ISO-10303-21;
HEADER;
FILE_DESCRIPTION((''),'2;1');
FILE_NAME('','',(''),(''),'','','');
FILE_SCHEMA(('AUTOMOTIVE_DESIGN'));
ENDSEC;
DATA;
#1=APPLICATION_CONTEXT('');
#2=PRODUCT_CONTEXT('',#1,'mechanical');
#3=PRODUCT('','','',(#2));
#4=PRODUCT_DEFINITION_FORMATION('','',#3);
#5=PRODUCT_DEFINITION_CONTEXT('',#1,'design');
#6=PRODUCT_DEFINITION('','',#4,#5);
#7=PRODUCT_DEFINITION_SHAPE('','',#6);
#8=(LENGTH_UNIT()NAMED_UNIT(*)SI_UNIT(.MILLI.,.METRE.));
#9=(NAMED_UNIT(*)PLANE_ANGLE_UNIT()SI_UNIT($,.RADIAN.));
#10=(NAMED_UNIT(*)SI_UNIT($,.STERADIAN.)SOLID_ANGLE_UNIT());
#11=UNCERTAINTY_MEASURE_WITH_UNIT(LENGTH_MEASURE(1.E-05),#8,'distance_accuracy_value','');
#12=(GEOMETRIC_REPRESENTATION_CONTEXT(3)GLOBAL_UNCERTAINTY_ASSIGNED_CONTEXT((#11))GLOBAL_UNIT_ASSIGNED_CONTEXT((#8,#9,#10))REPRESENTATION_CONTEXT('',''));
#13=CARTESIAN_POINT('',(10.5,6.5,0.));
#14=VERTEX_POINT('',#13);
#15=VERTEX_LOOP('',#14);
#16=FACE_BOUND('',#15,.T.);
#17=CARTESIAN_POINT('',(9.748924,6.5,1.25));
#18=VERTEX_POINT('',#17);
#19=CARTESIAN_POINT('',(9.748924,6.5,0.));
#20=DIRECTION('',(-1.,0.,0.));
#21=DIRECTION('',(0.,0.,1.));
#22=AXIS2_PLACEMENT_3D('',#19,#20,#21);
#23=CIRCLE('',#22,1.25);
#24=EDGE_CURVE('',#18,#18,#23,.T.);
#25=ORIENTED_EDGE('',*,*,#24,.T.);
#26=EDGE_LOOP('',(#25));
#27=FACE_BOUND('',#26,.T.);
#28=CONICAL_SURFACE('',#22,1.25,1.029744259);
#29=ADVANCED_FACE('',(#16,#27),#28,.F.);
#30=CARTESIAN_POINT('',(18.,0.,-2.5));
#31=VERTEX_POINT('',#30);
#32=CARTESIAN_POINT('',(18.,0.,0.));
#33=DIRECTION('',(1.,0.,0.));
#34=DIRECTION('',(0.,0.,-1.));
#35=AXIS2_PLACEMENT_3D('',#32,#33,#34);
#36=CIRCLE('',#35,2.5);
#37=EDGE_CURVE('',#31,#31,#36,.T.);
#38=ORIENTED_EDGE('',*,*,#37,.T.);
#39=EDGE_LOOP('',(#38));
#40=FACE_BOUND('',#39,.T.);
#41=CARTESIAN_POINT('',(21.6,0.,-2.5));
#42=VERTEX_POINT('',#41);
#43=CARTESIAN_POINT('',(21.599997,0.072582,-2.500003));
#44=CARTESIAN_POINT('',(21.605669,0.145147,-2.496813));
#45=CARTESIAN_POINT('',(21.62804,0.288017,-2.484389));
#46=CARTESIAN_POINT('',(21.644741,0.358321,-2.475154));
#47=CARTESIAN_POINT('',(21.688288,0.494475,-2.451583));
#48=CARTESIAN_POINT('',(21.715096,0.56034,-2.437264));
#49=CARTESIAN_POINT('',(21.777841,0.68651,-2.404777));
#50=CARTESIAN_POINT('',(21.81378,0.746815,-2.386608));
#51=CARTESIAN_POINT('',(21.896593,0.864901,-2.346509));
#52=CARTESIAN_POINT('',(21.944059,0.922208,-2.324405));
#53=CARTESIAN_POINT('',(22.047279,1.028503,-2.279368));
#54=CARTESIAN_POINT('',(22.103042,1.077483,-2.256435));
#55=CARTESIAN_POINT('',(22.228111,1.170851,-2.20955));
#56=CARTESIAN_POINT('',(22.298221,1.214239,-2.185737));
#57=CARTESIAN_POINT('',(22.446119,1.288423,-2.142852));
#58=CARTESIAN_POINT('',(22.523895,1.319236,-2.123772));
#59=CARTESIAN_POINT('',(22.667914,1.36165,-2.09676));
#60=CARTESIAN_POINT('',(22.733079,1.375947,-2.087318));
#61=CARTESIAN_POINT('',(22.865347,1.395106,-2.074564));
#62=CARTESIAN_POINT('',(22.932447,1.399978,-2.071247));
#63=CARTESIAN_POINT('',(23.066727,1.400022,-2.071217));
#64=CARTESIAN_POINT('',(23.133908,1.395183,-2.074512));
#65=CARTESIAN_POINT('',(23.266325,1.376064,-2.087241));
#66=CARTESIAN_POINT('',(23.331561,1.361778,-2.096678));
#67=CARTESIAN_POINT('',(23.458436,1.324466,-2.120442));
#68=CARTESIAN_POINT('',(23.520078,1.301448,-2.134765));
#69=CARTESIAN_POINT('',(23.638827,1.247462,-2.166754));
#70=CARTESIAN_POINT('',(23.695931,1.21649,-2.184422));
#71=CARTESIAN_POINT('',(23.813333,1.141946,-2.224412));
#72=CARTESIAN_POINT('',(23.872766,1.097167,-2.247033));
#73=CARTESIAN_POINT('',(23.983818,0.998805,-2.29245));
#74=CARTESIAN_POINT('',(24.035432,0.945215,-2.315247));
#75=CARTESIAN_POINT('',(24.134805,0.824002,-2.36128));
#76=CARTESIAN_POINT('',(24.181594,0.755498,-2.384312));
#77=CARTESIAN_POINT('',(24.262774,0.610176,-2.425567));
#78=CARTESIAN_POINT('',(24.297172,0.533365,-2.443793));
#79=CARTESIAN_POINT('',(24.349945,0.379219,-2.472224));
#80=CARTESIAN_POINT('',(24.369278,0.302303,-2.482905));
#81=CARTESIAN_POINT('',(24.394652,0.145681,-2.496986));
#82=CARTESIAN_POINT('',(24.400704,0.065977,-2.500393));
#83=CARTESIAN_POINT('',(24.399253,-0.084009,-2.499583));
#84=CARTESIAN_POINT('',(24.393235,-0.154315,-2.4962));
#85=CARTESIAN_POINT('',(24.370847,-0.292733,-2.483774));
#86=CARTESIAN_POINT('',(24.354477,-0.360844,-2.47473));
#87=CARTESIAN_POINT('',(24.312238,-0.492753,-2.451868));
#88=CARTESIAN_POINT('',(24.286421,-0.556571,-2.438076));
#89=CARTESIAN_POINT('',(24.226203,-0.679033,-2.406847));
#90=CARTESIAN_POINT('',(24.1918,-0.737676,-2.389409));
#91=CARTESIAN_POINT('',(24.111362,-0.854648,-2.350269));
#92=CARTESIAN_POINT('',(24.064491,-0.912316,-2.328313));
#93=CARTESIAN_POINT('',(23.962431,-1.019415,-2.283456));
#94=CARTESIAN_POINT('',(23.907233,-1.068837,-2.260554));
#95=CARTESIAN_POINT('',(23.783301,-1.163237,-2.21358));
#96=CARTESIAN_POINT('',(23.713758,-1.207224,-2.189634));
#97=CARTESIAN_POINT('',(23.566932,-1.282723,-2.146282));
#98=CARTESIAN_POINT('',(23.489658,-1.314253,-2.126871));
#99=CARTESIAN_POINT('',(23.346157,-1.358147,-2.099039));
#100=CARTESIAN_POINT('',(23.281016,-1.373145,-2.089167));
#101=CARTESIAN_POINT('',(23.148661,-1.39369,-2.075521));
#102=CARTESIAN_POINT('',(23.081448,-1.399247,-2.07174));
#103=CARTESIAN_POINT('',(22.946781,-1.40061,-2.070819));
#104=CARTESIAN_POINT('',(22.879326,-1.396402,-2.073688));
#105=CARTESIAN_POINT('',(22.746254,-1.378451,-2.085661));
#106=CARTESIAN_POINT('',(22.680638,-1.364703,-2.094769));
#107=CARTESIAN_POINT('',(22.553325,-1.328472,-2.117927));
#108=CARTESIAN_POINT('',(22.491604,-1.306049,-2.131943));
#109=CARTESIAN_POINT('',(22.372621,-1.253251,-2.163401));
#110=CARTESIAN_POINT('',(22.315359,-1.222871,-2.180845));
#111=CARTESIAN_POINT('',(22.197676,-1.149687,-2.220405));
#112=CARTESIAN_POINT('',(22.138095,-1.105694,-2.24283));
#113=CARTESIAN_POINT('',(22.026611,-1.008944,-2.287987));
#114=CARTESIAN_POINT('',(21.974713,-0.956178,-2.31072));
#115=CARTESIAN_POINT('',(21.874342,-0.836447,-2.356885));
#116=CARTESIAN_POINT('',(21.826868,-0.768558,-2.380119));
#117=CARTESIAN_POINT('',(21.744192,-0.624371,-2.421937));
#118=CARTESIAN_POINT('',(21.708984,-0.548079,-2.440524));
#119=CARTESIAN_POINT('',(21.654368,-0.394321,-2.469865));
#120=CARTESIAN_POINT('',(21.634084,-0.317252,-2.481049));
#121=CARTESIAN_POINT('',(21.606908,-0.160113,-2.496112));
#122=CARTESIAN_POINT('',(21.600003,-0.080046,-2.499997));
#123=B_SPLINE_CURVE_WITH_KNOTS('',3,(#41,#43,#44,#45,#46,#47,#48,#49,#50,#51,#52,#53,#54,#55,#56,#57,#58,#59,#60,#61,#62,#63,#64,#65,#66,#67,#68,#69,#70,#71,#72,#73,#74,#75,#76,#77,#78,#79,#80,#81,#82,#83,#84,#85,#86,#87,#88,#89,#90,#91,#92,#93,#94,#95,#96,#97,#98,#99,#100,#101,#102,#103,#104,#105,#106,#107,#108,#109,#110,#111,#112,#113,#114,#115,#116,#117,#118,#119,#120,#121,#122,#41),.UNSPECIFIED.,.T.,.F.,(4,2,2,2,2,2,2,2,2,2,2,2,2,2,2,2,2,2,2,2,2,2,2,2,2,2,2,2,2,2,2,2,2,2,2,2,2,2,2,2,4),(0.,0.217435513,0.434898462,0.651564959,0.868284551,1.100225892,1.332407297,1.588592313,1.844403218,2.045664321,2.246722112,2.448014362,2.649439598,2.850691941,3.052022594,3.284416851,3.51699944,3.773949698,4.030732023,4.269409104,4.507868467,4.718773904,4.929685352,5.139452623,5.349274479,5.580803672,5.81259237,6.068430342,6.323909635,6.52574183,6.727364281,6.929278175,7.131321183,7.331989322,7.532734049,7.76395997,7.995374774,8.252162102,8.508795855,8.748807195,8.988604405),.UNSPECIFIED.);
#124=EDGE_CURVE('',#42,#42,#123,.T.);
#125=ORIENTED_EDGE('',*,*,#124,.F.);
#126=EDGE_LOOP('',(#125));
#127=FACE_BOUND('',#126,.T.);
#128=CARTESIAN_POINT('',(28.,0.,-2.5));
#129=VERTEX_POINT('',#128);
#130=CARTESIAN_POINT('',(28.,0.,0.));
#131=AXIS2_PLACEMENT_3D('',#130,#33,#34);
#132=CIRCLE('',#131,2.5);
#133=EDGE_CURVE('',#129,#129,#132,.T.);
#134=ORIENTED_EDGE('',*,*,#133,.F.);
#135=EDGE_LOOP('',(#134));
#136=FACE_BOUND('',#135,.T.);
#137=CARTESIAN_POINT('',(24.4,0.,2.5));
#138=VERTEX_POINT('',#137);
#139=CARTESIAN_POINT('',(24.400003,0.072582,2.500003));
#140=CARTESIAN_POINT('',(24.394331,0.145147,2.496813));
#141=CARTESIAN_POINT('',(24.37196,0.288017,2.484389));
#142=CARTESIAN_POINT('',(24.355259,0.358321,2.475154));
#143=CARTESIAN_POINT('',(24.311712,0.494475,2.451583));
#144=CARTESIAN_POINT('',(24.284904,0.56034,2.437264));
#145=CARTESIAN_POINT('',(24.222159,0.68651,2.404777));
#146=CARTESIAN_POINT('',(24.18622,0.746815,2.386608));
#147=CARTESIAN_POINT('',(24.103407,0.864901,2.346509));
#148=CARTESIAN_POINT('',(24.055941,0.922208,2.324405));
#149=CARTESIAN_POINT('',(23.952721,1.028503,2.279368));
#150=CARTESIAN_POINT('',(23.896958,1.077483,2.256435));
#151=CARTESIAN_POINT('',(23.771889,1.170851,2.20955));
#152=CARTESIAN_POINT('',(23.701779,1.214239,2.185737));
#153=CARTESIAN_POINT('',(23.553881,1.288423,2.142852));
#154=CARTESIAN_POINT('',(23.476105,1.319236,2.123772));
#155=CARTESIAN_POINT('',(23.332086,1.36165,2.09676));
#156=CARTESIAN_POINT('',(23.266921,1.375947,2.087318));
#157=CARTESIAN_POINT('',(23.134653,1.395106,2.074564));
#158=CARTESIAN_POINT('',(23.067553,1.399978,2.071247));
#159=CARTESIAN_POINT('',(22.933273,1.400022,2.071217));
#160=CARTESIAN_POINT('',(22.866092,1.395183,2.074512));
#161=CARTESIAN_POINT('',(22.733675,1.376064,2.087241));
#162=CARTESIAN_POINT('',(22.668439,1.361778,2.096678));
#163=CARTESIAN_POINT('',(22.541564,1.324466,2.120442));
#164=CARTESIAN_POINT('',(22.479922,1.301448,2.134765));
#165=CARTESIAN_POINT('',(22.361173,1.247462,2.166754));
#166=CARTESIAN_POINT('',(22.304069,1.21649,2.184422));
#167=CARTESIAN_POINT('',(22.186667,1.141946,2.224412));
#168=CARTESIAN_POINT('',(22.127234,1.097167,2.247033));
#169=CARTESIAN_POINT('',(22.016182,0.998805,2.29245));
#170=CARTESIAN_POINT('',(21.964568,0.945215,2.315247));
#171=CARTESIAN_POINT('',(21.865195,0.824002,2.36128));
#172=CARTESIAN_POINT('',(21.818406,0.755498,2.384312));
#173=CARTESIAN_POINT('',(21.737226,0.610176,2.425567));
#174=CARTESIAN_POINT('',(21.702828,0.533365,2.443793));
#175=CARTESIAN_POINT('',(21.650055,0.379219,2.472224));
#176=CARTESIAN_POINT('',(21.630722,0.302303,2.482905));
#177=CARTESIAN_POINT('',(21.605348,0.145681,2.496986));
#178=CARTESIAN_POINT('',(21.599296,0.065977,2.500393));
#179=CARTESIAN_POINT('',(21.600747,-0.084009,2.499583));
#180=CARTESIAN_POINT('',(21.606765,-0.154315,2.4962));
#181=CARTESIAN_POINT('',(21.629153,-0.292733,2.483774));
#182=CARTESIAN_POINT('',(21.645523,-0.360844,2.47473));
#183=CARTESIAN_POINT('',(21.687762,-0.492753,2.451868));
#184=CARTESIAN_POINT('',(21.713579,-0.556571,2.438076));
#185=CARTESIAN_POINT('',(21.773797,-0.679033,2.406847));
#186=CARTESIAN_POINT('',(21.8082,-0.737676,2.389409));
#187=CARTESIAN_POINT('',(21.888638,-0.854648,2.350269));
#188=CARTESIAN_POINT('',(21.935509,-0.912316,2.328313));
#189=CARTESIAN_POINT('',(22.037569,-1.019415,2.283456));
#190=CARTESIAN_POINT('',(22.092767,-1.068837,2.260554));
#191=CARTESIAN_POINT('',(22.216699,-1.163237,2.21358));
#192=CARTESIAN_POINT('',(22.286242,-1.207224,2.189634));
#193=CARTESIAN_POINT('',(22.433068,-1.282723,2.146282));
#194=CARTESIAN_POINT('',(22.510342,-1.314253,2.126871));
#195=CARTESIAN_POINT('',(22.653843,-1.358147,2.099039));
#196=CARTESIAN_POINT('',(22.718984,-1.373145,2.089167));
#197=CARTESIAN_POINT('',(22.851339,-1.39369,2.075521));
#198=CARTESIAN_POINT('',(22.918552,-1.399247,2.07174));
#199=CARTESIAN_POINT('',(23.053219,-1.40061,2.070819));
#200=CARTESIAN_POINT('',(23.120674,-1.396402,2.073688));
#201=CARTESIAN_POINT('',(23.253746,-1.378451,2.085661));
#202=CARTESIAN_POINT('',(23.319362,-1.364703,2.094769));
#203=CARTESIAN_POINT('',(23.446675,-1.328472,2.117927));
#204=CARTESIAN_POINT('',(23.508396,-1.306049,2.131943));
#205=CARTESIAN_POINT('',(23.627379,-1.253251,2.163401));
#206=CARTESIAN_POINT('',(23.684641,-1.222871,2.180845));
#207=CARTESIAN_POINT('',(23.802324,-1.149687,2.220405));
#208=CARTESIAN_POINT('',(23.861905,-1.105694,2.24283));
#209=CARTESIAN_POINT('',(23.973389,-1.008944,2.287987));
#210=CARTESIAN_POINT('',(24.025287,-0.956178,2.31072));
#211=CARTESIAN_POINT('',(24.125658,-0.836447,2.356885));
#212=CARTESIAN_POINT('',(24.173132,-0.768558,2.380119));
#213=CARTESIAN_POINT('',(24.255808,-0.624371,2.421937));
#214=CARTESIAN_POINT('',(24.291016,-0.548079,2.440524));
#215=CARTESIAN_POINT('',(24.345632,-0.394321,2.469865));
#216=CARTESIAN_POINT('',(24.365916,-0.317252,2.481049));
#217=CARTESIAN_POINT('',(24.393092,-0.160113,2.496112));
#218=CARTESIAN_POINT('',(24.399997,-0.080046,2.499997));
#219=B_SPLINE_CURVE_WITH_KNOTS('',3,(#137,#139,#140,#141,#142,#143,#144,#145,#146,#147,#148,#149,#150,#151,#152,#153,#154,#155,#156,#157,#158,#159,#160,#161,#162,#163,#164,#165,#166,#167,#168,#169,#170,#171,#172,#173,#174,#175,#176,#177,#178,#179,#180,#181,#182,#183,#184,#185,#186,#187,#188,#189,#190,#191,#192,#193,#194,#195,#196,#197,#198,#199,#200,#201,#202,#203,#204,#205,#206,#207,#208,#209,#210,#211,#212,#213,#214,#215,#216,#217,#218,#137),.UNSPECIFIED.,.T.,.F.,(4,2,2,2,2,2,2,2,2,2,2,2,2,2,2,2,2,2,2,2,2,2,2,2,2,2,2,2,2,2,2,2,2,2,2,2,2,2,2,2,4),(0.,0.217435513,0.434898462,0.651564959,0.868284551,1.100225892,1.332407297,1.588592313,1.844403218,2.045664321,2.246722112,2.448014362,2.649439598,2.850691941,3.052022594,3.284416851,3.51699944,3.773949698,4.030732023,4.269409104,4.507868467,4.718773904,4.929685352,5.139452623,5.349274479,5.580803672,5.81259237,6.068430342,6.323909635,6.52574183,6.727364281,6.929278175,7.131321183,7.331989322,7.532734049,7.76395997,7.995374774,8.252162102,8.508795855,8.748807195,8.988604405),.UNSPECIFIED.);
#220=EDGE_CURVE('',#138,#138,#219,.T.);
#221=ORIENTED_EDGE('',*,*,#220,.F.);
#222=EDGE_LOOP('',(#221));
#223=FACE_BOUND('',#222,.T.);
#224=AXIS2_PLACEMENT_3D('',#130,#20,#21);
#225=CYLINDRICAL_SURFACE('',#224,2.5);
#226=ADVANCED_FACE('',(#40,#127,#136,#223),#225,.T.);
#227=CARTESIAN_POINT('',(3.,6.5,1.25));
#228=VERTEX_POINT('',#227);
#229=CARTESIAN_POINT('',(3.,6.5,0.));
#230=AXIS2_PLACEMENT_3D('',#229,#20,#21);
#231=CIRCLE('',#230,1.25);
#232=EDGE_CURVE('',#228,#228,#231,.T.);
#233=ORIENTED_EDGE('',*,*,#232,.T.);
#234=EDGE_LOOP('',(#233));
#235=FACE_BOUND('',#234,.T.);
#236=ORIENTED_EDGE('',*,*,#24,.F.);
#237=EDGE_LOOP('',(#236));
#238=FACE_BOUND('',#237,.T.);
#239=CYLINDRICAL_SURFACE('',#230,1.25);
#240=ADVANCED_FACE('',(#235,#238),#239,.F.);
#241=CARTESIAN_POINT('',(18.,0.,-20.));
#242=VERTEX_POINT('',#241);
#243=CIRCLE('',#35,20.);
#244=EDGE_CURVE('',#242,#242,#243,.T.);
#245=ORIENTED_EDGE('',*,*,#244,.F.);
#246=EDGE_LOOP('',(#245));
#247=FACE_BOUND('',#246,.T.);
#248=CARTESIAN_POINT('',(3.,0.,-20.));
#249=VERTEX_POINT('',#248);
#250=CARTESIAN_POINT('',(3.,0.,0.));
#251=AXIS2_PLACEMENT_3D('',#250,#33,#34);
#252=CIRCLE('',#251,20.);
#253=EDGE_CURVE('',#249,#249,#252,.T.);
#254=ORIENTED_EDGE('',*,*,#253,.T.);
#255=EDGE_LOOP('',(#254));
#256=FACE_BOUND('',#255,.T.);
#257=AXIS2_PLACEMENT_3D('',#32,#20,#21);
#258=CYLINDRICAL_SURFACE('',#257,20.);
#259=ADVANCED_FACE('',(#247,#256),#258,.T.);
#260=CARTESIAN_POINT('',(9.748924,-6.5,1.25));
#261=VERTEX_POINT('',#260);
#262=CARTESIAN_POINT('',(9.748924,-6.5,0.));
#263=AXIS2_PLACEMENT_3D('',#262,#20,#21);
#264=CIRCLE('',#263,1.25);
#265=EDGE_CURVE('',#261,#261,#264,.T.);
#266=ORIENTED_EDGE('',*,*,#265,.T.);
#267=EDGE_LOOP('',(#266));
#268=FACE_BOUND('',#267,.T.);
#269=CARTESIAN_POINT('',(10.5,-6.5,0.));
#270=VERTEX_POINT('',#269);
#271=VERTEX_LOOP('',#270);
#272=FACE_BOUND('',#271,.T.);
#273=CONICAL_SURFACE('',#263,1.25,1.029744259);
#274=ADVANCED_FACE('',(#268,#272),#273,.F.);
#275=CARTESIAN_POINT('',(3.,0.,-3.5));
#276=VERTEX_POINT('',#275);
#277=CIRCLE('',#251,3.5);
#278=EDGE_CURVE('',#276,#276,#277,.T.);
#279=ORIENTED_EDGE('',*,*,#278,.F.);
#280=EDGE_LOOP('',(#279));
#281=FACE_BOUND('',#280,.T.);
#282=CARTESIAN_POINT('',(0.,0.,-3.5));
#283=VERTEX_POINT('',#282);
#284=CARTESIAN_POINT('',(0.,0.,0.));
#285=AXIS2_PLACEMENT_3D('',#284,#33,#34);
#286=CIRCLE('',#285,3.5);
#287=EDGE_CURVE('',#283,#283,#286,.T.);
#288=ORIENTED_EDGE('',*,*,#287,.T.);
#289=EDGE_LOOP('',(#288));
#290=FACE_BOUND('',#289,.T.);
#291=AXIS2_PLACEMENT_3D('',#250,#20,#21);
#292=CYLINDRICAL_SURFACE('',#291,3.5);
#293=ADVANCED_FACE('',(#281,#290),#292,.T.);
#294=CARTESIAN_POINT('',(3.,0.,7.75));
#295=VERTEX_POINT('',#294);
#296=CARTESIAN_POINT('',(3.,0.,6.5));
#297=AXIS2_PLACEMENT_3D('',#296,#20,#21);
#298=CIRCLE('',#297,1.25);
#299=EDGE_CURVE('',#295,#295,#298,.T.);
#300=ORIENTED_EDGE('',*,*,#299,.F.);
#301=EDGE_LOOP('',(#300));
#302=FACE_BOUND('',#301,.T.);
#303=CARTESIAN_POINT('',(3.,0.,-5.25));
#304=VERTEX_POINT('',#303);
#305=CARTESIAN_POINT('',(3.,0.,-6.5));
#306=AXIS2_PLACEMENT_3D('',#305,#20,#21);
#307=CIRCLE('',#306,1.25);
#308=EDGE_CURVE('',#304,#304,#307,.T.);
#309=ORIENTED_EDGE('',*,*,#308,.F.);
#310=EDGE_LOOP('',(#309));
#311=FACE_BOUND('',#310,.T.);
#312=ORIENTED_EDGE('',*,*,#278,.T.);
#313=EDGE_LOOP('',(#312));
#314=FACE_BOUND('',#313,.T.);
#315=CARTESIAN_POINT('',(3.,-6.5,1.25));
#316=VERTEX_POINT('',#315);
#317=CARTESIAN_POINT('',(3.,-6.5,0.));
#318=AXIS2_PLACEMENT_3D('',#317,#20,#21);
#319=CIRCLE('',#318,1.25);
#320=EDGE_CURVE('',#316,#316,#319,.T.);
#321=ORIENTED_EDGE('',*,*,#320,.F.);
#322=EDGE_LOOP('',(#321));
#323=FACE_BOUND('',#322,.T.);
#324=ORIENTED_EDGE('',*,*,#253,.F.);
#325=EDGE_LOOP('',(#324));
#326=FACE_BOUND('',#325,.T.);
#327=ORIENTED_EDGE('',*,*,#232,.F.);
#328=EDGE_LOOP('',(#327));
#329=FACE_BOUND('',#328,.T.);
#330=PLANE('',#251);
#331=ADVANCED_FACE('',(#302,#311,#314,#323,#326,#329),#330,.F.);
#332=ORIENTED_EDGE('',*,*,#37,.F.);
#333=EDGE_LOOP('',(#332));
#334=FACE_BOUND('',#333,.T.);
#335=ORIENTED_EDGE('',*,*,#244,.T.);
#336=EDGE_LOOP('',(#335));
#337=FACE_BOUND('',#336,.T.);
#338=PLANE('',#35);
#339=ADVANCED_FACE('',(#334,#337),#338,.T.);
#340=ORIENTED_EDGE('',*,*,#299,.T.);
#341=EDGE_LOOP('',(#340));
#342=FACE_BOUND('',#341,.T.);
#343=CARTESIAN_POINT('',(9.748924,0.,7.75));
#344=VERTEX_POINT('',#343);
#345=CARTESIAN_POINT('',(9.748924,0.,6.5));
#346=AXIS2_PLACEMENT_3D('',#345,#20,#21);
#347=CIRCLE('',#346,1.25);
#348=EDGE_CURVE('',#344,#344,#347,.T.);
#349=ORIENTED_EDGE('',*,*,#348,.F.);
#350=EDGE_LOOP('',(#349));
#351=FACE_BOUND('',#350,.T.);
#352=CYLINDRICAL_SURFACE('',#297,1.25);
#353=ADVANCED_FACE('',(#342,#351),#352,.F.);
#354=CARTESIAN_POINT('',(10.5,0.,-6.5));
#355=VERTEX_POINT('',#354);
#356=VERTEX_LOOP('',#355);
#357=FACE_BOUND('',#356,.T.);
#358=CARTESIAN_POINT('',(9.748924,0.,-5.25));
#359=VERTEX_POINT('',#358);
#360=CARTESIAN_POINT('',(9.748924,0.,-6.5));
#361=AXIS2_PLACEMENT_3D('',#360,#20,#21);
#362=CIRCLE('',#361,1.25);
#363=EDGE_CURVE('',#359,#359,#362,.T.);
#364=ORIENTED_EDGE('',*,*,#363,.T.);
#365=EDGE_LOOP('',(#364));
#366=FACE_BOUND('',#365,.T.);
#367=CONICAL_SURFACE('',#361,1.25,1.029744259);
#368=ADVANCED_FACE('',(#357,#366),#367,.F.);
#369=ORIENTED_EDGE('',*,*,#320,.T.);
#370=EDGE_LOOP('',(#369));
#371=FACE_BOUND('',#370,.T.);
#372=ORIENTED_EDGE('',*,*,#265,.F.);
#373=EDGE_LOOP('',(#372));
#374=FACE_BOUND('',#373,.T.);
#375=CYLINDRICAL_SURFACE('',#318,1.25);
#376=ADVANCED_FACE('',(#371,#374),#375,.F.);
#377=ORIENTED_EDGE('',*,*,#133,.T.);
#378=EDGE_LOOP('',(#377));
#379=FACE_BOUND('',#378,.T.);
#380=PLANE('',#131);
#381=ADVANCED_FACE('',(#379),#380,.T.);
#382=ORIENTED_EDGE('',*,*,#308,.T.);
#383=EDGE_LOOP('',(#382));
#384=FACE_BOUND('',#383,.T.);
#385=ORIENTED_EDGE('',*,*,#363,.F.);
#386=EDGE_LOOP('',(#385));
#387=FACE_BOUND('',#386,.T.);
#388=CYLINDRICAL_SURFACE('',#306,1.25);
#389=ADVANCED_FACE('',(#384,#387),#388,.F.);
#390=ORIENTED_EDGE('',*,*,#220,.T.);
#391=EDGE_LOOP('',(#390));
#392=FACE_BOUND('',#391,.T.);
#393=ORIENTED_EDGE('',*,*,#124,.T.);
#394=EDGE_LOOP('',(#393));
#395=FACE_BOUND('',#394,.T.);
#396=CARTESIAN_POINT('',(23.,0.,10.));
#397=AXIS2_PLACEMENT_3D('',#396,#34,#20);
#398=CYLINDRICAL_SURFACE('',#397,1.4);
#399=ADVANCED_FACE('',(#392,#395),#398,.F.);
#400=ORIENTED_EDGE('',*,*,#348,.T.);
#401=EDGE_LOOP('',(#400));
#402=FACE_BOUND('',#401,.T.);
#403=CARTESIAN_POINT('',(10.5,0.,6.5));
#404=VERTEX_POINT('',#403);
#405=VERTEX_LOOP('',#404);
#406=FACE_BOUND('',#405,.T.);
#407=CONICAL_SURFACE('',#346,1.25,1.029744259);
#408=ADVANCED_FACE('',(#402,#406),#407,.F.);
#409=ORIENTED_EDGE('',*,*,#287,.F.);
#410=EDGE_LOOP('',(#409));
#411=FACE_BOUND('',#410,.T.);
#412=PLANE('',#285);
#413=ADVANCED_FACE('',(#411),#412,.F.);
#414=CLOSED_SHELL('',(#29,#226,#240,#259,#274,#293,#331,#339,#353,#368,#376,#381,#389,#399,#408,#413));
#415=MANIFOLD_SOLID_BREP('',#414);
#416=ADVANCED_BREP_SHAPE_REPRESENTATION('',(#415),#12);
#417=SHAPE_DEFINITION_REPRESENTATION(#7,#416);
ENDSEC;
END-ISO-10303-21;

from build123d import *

# Parameters (mm, degrees)
SKETCH_1_R               = 3.5
EXTRUDE_1_DEPTH          = 3
SKETCH_2_R               = 20
EXTRUDE_2_DEPTH          = 15
SKETCH_3_R               = 2.5
EXTRUDE_3_DEPTH          = 10
CUT_EXTRUDE_1_DEPTH      = 10
CUT_EXTRUDE_1_DEPTH_BACK = 10
SKETCH_4_R               = 1.4
HOLE_WIZARD_M3_1_D       = 2.5
HOLE_WIZARD_M3_1_DEPTH   = 6.748924226
HOLE_WIZARD_M3_1_TIP     = 0.751075774


with BuildPart() as part:
    # 草图1 → 凸台-拉伸1 (new body)
    with BuildSketch(Plane(origin=(0, 0, 0), x_dir=(0, 0, -1), z_dir=(1, 0, 0))):
        Circle(SKETCH_1_R)
    extrude(amount=EXTRUDE_1_DEPTH)

    # 草图2 → 凸台-拉伸2 (add)
    with BuildSketch(Plane(origin=(3, 0, 0), x_dir=(0, 0, -1), z_dir=(1, 0, 0))):
        Circle(SKETCH_2_R)
    extrude(amount=EXTRUDE_2_DEPTH)

    # 草图3 → 凸台-拉伸3 (add)
    with BuildSketch(Plane(origin=(18, 0, 0), x_dir=(0, 0, -1), z_dir=(1, 0, 0))):
        Circle(SKETCH_3_R)
    extrude(amount=EXTRUDE_3_DEPTH)

    # 草图4 → 切除-拉伸1 (cut, two sides: drawn at the far end of the back side and taken through both)
    with BuildSketch(Plane.XY.offset(-CUT_EXTRUDE_1_DEPTH_BACK)):
        with Locations((23, 0)):
            Circle(SKETCH_4_R)
    extrude(amount=CUT_EXTRUDE_1_DEPTH + CUT_EXTRUDE_1_DEPTH_BACK, mode=Mode.SUBTRACT)

    # M3 螺纹孔1
    with Locations(Plane(origin=(3, 0, 6.5), x_dir=(0, 0, -1), z_dir=(-1, 0, 0))):
        with Locations((0, 0), (6.5, 6.5), (13, 0), (6.5, -6.5)):
            Hole(HOLE_WIZARD_M3_1_D / 2, depth=HOLE_WIZARD_M3_1_DEPTH)
            with Locations((0, 0, -(HOLE_WIZARD_M3_1_DEPTH + HOLE_WIZARD_M3_1_TIP / 2))):  # 118° drill point
                Cone(0, HOLE_WIZARD_M3_1_D / 2, HOLE_WIZARD_M3_1_TIP, mode=Mode.SUBTRACT)


solid = part.part
